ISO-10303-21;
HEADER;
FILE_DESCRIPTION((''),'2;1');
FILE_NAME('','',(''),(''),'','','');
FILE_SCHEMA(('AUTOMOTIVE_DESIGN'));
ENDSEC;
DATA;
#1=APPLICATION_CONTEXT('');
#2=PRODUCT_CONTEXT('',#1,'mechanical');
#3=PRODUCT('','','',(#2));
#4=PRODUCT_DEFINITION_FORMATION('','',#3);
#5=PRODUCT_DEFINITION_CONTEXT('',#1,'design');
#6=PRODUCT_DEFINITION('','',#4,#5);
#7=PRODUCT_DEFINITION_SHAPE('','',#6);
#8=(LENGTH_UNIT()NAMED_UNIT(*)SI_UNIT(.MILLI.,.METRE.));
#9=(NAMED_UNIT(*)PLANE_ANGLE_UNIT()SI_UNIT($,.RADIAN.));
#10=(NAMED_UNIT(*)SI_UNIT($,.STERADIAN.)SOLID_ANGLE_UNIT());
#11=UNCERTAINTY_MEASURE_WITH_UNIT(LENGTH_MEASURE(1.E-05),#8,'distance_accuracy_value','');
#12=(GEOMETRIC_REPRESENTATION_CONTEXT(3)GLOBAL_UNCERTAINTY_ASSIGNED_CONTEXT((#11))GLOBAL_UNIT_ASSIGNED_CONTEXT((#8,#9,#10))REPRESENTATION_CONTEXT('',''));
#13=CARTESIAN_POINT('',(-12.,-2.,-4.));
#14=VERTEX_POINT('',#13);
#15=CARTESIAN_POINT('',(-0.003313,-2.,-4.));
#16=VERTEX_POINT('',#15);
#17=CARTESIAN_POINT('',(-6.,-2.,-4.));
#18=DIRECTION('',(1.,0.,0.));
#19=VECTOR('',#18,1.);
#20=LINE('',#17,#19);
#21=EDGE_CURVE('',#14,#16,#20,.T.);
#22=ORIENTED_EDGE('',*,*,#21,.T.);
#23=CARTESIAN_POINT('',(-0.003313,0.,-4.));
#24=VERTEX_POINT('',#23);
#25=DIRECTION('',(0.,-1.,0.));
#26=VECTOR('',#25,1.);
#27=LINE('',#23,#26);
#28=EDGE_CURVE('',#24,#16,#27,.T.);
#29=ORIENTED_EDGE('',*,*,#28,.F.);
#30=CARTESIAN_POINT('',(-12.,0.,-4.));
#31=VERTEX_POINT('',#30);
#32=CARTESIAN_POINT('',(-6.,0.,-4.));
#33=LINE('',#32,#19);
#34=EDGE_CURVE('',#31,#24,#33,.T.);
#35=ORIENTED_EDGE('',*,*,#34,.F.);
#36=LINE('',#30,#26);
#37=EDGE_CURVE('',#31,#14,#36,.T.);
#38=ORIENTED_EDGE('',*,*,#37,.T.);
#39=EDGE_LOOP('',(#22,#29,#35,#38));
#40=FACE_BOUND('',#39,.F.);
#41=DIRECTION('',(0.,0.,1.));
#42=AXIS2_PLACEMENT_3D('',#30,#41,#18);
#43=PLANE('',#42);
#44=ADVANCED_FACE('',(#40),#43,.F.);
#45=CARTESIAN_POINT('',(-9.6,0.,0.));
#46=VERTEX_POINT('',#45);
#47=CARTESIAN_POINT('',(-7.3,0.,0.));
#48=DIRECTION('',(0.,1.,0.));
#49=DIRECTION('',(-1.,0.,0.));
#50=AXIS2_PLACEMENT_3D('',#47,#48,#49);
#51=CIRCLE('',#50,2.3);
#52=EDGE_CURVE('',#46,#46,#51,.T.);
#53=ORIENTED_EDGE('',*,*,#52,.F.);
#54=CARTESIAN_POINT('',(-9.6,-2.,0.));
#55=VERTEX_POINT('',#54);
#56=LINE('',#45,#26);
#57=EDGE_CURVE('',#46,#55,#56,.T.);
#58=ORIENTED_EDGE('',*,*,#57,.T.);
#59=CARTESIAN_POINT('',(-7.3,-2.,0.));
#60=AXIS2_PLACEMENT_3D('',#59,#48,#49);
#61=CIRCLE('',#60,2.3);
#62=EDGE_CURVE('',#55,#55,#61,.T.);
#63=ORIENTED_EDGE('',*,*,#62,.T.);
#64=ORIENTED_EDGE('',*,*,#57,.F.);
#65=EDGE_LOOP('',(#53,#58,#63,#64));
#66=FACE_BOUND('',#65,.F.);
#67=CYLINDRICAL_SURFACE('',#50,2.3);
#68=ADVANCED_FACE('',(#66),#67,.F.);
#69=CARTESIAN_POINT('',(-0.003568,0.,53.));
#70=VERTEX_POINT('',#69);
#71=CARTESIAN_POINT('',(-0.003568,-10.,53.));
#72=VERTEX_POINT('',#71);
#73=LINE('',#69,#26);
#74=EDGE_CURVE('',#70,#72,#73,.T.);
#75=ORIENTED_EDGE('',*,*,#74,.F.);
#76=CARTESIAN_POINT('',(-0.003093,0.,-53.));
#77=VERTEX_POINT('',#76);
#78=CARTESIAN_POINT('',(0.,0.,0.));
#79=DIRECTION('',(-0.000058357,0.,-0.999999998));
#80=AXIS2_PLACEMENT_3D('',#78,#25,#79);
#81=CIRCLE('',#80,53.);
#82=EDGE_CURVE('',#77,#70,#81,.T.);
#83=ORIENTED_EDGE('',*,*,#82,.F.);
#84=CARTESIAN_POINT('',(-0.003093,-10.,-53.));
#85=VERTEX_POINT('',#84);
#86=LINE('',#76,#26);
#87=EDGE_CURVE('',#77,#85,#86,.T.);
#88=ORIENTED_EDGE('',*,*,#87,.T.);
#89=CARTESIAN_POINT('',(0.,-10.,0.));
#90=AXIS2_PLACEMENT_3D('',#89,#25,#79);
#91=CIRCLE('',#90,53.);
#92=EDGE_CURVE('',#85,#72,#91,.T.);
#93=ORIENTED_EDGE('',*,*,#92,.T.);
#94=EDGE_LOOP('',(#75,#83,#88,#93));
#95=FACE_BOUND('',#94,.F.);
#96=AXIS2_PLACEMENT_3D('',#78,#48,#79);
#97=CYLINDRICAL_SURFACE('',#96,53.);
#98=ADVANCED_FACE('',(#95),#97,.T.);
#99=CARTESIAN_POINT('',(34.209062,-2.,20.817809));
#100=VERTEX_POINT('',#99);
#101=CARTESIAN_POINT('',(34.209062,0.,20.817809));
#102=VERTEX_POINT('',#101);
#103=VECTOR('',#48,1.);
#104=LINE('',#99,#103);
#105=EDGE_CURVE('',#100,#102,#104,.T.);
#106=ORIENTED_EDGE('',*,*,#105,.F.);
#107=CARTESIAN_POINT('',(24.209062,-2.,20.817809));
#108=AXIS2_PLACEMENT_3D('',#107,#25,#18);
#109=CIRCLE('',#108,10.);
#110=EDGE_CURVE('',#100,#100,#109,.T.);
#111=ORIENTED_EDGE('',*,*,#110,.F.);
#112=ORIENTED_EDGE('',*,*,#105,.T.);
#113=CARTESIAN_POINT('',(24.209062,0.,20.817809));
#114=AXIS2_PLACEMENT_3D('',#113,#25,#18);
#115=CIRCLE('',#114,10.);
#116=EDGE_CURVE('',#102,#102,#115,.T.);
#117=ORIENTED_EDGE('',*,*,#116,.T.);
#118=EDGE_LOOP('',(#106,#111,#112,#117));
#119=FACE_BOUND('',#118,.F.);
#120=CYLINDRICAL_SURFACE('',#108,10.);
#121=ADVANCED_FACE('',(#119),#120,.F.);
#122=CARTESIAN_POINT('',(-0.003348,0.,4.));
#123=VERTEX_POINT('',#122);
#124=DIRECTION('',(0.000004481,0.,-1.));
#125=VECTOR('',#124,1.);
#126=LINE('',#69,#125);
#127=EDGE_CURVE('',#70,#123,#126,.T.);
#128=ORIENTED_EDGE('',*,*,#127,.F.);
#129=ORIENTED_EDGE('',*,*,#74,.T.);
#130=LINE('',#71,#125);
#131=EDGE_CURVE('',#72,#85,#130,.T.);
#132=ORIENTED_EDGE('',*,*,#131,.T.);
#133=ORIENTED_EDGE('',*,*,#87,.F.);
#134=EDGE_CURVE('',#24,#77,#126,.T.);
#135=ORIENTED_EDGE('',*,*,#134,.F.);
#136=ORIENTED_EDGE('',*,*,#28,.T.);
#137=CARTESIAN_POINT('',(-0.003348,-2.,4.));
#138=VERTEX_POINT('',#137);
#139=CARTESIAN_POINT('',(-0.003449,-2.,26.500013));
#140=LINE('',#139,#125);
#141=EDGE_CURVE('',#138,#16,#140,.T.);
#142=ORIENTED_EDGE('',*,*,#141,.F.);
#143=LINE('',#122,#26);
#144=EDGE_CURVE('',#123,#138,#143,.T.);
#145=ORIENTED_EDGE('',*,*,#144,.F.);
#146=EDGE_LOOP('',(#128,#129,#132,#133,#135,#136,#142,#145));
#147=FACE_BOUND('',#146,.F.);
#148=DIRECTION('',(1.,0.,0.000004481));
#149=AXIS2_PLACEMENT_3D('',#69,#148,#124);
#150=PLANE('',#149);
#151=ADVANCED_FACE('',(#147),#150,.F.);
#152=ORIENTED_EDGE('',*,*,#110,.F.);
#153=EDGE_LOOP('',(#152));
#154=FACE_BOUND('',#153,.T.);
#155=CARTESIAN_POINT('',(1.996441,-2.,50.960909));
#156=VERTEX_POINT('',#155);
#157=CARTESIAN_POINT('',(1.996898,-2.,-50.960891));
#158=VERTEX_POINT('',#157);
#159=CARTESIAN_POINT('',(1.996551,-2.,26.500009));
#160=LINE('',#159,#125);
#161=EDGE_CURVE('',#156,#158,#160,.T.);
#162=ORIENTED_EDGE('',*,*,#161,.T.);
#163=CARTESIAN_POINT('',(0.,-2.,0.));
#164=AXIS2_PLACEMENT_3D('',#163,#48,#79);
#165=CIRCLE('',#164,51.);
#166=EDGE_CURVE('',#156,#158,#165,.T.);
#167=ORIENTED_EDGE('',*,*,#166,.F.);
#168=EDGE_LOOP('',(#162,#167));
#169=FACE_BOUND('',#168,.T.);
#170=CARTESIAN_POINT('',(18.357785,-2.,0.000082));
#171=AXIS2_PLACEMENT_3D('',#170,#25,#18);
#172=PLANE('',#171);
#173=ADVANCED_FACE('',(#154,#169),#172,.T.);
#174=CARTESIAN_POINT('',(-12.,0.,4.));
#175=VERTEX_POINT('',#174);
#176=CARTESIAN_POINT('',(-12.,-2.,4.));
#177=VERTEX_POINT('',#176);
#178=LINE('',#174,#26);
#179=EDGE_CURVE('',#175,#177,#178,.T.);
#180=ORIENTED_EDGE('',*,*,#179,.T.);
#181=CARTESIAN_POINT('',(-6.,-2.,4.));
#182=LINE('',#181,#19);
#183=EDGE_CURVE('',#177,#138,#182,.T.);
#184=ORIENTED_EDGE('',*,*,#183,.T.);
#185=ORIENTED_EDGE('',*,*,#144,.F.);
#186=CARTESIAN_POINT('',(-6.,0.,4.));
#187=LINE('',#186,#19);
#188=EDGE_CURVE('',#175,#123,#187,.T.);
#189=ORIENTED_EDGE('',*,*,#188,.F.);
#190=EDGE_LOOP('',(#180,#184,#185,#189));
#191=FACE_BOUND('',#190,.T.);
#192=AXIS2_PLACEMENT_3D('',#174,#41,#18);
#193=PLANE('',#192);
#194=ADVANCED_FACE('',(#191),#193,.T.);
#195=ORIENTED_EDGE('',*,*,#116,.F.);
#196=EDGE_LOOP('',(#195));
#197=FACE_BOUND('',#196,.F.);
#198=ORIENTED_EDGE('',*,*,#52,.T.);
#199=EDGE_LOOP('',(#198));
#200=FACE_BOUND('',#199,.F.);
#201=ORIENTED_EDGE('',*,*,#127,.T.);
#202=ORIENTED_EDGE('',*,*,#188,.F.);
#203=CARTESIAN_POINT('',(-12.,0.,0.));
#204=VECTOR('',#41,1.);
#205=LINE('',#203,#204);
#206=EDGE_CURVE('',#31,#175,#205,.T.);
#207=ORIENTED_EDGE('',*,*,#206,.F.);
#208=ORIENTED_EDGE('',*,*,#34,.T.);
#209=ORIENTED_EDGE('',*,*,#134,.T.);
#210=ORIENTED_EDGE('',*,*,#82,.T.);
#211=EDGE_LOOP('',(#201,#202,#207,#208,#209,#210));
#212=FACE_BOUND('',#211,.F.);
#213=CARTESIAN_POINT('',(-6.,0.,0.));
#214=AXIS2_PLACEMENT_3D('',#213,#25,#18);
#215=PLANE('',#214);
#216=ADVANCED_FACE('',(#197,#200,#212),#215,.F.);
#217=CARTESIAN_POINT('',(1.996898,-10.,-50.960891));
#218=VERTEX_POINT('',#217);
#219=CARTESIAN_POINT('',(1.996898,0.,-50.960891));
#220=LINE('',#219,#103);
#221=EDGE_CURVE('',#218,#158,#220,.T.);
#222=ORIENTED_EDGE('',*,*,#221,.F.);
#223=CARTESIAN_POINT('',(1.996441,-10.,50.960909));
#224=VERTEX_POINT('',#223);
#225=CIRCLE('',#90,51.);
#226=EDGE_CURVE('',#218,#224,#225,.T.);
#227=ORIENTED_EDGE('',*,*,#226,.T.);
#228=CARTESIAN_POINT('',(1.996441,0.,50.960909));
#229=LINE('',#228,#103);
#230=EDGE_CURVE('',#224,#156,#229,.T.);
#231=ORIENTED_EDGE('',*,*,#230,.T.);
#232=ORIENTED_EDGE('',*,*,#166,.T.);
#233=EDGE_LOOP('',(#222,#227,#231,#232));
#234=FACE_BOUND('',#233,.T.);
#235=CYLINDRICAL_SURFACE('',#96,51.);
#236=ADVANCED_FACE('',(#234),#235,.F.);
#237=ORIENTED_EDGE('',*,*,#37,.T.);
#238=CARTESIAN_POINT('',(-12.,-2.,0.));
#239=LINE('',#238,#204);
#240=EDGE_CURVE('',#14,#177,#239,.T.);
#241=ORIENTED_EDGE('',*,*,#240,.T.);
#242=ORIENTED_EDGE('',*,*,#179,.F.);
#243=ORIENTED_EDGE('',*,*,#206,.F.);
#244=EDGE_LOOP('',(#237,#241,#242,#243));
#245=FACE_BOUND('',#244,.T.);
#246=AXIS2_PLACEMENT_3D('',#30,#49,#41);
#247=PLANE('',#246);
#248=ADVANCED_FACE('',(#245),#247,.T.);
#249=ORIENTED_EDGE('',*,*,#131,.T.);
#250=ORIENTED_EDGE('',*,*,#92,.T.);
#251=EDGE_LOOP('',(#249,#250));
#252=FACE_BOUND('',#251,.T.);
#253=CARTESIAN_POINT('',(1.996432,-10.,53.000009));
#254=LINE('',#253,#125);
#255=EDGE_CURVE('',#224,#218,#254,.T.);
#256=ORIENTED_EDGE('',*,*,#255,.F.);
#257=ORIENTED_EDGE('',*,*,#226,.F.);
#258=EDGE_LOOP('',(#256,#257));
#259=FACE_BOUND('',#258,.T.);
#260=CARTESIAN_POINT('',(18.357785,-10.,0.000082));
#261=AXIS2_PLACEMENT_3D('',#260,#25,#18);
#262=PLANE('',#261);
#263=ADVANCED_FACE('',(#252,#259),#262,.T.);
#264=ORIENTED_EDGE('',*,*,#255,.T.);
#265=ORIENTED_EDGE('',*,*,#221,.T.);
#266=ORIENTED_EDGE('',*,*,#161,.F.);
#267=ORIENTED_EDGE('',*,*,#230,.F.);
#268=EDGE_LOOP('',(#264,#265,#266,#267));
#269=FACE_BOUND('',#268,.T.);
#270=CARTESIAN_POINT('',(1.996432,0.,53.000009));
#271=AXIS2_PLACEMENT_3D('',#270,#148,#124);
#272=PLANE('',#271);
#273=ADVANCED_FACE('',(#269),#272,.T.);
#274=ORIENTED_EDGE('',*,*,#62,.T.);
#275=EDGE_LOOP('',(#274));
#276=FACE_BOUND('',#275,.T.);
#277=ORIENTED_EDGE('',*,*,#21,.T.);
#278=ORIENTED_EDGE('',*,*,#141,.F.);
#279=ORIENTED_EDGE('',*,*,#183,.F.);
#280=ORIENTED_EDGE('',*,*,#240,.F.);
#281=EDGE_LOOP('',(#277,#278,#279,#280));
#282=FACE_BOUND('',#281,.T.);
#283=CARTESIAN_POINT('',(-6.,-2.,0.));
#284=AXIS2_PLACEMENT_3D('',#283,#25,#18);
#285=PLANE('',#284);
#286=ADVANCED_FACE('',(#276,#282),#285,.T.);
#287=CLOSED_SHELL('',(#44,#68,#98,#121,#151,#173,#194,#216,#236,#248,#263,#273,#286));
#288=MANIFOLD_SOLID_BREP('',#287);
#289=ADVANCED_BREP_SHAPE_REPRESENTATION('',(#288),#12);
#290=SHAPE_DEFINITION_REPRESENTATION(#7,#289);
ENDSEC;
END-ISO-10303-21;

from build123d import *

# Parameters (mm, degrees)
F1_DEPTH = 10
F2_T     = -2
F3_W     = 12
F3_H     = 8
F4_DEPTH = 2
F5_R     = 2.3
F6_DEPTH = 3
F7_R     = 10
F8_DEPTH = 25


with BuildPart() as f1:
    # F0 (on Front) → F1 (new body)
    with BuildSketch(Plane.XZ):
        with BuildLine():
            Line((-0.003568, 53), (-0.003093, -53))
            ThreePointArc((-0.003093, -53), (53, 0.000237), (-0.003568, 53))
        make_face()
    extrude(amount=F1_DEPTH)

    # F2
    f2_openings = [f1.faces().sort_by_distance(p)[0] for p in [
        (22.492099, -10, 0.000101),
    ]]
    offset(amount=F2_T, openings=f2_openings)

    # F3 (on Front) → F4 (join)
    with BuildSketch(Plane.XZ):
        with Locations((-6, 0)):
            Rectangle(F3_W, F3_H)
    extrude(amount=F4_DEPTH)

    # F5 (on face) → F6 (cut)
    with BuildSketch(Plane(origin=(0, 0, 0), x_dir=(-1, 0, 0), z_dir=(0, 1, 0))):
        with Locations((7.3, 0)):
            Circle(F5_R)
    extrude(amount=-F6_DEPTH, mode=Mode.SUBTRACT)

    # F7 (on face) → F8 (cut)
    with BuildSketch(Plane.XZ.offset(2)):
        with Locations((24.209062, 20.817809)):
            Circle(F7_R)
    extrude(amount=-F8_DEPTH, mode=Mode.SUBTRACT)


solid = f1.part
